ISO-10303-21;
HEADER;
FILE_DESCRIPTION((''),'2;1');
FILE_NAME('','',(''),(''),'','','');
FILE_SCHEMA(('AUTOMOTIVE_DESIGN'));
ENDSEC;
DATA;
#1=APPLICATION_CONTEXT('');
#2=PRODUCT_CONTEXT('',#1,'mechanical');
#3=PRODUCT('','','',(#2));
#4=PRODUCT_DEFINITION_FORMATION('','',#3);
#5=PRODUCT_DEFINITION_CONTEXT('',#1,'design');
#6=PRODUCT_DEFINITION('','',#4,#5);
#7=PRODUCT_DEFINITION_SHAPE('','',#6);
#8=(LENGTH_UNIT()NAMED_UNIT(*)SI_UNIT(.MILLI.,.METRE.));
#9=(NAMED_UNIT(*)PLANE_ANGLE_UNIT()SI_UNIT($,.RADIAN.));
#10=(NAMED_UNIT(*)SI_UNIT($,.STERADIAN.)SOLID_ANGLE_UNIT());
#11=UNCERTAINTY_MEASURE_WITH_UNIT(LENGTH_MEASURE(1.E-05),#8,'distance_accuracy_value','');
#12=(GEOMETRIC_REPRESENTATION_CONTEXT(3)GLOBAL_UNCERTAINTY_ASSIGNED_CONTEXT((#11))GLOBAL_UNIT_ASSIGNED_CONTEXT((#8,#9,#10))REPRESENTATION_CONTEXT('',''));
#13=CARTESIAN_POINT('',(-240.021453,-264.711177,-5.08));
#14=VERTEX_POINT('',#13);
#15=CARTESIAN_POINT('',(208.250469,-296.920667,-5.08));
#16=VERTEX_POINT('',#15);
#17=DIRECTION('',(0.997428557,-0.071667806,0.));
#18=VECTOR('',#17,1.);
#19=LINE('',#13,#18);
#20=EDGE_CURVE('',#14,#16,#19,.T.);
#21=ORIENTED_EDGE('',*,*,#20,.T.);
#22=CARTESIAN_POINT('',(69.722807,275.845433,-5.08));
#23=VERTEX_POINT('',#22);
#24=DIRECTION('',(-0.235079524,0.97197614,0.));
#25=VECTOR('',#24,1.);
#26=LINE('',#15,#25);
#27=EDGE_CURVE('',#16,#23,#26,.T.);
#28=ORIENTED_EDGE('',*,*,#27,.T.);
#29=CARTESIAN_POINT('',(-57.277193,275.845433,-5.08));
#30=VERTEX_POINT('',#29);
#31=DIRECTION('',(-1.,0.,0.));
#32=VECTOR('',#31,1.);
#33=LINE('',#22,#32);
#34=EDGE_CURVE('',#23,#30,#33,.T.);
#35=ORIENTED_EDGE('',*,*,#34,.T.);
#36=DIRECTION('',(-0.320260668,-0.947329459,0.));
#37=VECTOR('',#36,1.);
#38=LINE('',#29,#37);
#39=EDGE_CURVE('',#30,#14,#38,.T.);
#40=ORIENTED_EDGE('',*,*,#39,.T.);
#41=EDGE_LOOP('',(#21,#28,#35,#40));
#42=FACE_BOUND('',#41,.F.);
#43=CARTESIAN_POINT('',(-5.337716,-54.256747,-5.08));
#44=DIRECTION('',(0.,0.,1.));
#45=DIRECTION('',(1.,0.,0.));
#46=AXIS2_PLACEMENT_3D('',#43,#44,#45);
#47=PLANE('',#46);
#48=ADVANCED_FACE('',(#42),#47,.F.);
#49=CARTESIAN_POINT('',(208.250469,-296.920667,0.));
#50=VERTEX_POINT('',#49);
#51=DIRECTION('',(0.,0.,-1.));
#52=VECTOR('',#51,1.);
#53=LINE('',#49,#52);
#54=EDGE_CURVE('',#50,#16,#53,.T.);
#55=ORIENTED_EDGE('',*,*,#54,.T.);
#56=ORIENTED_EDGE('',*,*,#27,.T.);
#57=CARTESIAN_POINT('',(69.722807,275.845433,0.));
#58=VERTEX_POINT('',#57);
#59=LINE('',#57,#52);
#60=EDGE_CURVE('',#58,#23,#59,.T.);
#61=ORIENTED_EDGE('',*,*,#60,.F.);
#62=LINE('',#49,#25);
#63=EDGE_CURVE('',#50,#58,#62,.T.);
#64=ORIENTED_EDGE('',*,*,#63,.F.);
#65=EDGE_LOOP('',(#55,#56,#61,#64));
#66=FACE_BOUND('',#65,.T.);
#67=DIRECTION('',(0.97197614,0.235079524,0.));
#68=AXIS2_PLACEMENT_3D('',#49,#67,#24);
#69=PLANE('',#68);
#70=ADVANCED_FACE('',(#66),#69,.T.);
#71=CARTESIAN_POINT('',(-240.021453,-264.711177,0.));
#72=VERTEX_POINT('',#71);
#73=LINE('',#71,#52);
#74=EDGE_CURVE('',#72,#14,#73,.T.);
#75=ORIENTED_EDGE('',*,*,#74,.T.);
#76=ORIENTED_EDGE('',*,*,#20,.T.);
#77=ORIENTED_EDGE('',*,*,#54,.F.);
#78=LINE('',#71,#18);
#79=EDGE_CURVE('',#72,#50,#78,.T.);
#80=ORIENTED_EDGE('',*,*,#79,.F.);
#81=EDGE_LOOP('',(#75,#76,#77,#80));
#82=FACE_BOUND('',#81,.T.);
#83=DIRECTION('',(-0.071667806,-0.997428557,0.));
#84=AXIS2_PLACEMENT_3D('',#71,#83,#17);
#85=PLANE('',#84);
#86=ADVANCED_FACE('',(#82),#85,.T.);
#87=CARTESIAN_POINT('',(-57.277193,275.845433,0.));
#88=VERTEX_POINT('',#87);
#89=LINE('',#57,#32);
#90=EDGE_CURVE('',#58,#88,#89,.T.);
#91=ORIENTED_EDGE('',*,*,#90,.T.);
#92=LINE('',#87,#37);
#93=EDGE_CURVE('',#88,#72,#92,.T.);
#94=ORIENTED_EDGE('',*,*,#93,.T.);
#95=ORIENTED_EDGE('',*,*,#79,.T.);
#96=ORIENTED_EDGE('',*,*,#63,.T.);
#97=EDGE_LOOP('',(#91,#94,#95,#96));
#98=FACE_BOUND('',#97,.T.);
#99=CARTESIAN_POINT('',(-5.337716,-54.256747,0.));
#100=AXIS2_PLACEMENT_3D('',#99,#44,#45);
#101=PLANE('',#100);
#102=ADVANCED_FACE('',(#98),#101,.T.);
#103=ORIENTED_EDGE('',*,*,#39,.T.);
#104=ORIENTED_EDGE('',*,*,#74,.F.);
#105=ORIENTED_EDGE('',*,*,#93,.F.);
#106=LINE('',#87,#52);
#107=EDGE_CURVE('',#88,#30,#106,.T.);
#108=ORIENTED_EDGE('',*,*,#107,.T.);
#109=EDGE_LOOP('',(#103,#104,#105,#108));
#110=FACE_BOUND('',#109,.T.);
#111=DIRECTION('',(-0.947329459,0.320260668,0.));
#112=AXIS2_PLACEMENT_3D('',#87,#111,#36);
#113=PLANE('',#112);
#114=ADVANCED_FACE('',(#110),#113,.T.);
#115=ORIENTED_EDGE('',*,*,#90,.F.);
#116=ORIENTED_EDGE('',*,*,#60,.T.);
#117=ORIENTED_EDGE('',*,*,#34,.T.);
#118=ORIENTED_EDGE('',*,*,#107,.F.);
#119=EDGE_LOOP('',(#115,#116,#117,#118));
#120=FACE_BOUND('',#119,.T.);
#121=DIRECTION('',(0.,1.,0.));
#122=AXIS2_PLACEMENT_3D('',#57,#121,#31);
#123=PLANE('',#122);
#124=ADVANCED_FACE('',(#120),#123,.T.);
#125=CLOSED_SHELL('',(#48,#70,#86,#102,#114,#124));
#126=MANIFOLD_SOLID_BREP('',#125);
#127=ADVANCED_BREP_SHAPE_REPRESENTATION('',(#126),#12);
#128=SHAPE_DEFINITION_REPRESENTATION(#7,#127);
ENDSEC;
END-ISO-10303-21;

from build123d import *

# Parameters (mm, degrees)
F1_DEPTH = 5.08


with BuildPart() as f1:
    # F0 (on Top) → F1 (new body)
    with BuildSketch(Plane.XY):
        Polygon((208.250469, -296.920667), (69.722807, 275.845433), (-57.277193, 275.845433), (-240.021453, -264.711177), align=None)
    extrude(amount=-F1_DEPTH)


solid = f1.part
